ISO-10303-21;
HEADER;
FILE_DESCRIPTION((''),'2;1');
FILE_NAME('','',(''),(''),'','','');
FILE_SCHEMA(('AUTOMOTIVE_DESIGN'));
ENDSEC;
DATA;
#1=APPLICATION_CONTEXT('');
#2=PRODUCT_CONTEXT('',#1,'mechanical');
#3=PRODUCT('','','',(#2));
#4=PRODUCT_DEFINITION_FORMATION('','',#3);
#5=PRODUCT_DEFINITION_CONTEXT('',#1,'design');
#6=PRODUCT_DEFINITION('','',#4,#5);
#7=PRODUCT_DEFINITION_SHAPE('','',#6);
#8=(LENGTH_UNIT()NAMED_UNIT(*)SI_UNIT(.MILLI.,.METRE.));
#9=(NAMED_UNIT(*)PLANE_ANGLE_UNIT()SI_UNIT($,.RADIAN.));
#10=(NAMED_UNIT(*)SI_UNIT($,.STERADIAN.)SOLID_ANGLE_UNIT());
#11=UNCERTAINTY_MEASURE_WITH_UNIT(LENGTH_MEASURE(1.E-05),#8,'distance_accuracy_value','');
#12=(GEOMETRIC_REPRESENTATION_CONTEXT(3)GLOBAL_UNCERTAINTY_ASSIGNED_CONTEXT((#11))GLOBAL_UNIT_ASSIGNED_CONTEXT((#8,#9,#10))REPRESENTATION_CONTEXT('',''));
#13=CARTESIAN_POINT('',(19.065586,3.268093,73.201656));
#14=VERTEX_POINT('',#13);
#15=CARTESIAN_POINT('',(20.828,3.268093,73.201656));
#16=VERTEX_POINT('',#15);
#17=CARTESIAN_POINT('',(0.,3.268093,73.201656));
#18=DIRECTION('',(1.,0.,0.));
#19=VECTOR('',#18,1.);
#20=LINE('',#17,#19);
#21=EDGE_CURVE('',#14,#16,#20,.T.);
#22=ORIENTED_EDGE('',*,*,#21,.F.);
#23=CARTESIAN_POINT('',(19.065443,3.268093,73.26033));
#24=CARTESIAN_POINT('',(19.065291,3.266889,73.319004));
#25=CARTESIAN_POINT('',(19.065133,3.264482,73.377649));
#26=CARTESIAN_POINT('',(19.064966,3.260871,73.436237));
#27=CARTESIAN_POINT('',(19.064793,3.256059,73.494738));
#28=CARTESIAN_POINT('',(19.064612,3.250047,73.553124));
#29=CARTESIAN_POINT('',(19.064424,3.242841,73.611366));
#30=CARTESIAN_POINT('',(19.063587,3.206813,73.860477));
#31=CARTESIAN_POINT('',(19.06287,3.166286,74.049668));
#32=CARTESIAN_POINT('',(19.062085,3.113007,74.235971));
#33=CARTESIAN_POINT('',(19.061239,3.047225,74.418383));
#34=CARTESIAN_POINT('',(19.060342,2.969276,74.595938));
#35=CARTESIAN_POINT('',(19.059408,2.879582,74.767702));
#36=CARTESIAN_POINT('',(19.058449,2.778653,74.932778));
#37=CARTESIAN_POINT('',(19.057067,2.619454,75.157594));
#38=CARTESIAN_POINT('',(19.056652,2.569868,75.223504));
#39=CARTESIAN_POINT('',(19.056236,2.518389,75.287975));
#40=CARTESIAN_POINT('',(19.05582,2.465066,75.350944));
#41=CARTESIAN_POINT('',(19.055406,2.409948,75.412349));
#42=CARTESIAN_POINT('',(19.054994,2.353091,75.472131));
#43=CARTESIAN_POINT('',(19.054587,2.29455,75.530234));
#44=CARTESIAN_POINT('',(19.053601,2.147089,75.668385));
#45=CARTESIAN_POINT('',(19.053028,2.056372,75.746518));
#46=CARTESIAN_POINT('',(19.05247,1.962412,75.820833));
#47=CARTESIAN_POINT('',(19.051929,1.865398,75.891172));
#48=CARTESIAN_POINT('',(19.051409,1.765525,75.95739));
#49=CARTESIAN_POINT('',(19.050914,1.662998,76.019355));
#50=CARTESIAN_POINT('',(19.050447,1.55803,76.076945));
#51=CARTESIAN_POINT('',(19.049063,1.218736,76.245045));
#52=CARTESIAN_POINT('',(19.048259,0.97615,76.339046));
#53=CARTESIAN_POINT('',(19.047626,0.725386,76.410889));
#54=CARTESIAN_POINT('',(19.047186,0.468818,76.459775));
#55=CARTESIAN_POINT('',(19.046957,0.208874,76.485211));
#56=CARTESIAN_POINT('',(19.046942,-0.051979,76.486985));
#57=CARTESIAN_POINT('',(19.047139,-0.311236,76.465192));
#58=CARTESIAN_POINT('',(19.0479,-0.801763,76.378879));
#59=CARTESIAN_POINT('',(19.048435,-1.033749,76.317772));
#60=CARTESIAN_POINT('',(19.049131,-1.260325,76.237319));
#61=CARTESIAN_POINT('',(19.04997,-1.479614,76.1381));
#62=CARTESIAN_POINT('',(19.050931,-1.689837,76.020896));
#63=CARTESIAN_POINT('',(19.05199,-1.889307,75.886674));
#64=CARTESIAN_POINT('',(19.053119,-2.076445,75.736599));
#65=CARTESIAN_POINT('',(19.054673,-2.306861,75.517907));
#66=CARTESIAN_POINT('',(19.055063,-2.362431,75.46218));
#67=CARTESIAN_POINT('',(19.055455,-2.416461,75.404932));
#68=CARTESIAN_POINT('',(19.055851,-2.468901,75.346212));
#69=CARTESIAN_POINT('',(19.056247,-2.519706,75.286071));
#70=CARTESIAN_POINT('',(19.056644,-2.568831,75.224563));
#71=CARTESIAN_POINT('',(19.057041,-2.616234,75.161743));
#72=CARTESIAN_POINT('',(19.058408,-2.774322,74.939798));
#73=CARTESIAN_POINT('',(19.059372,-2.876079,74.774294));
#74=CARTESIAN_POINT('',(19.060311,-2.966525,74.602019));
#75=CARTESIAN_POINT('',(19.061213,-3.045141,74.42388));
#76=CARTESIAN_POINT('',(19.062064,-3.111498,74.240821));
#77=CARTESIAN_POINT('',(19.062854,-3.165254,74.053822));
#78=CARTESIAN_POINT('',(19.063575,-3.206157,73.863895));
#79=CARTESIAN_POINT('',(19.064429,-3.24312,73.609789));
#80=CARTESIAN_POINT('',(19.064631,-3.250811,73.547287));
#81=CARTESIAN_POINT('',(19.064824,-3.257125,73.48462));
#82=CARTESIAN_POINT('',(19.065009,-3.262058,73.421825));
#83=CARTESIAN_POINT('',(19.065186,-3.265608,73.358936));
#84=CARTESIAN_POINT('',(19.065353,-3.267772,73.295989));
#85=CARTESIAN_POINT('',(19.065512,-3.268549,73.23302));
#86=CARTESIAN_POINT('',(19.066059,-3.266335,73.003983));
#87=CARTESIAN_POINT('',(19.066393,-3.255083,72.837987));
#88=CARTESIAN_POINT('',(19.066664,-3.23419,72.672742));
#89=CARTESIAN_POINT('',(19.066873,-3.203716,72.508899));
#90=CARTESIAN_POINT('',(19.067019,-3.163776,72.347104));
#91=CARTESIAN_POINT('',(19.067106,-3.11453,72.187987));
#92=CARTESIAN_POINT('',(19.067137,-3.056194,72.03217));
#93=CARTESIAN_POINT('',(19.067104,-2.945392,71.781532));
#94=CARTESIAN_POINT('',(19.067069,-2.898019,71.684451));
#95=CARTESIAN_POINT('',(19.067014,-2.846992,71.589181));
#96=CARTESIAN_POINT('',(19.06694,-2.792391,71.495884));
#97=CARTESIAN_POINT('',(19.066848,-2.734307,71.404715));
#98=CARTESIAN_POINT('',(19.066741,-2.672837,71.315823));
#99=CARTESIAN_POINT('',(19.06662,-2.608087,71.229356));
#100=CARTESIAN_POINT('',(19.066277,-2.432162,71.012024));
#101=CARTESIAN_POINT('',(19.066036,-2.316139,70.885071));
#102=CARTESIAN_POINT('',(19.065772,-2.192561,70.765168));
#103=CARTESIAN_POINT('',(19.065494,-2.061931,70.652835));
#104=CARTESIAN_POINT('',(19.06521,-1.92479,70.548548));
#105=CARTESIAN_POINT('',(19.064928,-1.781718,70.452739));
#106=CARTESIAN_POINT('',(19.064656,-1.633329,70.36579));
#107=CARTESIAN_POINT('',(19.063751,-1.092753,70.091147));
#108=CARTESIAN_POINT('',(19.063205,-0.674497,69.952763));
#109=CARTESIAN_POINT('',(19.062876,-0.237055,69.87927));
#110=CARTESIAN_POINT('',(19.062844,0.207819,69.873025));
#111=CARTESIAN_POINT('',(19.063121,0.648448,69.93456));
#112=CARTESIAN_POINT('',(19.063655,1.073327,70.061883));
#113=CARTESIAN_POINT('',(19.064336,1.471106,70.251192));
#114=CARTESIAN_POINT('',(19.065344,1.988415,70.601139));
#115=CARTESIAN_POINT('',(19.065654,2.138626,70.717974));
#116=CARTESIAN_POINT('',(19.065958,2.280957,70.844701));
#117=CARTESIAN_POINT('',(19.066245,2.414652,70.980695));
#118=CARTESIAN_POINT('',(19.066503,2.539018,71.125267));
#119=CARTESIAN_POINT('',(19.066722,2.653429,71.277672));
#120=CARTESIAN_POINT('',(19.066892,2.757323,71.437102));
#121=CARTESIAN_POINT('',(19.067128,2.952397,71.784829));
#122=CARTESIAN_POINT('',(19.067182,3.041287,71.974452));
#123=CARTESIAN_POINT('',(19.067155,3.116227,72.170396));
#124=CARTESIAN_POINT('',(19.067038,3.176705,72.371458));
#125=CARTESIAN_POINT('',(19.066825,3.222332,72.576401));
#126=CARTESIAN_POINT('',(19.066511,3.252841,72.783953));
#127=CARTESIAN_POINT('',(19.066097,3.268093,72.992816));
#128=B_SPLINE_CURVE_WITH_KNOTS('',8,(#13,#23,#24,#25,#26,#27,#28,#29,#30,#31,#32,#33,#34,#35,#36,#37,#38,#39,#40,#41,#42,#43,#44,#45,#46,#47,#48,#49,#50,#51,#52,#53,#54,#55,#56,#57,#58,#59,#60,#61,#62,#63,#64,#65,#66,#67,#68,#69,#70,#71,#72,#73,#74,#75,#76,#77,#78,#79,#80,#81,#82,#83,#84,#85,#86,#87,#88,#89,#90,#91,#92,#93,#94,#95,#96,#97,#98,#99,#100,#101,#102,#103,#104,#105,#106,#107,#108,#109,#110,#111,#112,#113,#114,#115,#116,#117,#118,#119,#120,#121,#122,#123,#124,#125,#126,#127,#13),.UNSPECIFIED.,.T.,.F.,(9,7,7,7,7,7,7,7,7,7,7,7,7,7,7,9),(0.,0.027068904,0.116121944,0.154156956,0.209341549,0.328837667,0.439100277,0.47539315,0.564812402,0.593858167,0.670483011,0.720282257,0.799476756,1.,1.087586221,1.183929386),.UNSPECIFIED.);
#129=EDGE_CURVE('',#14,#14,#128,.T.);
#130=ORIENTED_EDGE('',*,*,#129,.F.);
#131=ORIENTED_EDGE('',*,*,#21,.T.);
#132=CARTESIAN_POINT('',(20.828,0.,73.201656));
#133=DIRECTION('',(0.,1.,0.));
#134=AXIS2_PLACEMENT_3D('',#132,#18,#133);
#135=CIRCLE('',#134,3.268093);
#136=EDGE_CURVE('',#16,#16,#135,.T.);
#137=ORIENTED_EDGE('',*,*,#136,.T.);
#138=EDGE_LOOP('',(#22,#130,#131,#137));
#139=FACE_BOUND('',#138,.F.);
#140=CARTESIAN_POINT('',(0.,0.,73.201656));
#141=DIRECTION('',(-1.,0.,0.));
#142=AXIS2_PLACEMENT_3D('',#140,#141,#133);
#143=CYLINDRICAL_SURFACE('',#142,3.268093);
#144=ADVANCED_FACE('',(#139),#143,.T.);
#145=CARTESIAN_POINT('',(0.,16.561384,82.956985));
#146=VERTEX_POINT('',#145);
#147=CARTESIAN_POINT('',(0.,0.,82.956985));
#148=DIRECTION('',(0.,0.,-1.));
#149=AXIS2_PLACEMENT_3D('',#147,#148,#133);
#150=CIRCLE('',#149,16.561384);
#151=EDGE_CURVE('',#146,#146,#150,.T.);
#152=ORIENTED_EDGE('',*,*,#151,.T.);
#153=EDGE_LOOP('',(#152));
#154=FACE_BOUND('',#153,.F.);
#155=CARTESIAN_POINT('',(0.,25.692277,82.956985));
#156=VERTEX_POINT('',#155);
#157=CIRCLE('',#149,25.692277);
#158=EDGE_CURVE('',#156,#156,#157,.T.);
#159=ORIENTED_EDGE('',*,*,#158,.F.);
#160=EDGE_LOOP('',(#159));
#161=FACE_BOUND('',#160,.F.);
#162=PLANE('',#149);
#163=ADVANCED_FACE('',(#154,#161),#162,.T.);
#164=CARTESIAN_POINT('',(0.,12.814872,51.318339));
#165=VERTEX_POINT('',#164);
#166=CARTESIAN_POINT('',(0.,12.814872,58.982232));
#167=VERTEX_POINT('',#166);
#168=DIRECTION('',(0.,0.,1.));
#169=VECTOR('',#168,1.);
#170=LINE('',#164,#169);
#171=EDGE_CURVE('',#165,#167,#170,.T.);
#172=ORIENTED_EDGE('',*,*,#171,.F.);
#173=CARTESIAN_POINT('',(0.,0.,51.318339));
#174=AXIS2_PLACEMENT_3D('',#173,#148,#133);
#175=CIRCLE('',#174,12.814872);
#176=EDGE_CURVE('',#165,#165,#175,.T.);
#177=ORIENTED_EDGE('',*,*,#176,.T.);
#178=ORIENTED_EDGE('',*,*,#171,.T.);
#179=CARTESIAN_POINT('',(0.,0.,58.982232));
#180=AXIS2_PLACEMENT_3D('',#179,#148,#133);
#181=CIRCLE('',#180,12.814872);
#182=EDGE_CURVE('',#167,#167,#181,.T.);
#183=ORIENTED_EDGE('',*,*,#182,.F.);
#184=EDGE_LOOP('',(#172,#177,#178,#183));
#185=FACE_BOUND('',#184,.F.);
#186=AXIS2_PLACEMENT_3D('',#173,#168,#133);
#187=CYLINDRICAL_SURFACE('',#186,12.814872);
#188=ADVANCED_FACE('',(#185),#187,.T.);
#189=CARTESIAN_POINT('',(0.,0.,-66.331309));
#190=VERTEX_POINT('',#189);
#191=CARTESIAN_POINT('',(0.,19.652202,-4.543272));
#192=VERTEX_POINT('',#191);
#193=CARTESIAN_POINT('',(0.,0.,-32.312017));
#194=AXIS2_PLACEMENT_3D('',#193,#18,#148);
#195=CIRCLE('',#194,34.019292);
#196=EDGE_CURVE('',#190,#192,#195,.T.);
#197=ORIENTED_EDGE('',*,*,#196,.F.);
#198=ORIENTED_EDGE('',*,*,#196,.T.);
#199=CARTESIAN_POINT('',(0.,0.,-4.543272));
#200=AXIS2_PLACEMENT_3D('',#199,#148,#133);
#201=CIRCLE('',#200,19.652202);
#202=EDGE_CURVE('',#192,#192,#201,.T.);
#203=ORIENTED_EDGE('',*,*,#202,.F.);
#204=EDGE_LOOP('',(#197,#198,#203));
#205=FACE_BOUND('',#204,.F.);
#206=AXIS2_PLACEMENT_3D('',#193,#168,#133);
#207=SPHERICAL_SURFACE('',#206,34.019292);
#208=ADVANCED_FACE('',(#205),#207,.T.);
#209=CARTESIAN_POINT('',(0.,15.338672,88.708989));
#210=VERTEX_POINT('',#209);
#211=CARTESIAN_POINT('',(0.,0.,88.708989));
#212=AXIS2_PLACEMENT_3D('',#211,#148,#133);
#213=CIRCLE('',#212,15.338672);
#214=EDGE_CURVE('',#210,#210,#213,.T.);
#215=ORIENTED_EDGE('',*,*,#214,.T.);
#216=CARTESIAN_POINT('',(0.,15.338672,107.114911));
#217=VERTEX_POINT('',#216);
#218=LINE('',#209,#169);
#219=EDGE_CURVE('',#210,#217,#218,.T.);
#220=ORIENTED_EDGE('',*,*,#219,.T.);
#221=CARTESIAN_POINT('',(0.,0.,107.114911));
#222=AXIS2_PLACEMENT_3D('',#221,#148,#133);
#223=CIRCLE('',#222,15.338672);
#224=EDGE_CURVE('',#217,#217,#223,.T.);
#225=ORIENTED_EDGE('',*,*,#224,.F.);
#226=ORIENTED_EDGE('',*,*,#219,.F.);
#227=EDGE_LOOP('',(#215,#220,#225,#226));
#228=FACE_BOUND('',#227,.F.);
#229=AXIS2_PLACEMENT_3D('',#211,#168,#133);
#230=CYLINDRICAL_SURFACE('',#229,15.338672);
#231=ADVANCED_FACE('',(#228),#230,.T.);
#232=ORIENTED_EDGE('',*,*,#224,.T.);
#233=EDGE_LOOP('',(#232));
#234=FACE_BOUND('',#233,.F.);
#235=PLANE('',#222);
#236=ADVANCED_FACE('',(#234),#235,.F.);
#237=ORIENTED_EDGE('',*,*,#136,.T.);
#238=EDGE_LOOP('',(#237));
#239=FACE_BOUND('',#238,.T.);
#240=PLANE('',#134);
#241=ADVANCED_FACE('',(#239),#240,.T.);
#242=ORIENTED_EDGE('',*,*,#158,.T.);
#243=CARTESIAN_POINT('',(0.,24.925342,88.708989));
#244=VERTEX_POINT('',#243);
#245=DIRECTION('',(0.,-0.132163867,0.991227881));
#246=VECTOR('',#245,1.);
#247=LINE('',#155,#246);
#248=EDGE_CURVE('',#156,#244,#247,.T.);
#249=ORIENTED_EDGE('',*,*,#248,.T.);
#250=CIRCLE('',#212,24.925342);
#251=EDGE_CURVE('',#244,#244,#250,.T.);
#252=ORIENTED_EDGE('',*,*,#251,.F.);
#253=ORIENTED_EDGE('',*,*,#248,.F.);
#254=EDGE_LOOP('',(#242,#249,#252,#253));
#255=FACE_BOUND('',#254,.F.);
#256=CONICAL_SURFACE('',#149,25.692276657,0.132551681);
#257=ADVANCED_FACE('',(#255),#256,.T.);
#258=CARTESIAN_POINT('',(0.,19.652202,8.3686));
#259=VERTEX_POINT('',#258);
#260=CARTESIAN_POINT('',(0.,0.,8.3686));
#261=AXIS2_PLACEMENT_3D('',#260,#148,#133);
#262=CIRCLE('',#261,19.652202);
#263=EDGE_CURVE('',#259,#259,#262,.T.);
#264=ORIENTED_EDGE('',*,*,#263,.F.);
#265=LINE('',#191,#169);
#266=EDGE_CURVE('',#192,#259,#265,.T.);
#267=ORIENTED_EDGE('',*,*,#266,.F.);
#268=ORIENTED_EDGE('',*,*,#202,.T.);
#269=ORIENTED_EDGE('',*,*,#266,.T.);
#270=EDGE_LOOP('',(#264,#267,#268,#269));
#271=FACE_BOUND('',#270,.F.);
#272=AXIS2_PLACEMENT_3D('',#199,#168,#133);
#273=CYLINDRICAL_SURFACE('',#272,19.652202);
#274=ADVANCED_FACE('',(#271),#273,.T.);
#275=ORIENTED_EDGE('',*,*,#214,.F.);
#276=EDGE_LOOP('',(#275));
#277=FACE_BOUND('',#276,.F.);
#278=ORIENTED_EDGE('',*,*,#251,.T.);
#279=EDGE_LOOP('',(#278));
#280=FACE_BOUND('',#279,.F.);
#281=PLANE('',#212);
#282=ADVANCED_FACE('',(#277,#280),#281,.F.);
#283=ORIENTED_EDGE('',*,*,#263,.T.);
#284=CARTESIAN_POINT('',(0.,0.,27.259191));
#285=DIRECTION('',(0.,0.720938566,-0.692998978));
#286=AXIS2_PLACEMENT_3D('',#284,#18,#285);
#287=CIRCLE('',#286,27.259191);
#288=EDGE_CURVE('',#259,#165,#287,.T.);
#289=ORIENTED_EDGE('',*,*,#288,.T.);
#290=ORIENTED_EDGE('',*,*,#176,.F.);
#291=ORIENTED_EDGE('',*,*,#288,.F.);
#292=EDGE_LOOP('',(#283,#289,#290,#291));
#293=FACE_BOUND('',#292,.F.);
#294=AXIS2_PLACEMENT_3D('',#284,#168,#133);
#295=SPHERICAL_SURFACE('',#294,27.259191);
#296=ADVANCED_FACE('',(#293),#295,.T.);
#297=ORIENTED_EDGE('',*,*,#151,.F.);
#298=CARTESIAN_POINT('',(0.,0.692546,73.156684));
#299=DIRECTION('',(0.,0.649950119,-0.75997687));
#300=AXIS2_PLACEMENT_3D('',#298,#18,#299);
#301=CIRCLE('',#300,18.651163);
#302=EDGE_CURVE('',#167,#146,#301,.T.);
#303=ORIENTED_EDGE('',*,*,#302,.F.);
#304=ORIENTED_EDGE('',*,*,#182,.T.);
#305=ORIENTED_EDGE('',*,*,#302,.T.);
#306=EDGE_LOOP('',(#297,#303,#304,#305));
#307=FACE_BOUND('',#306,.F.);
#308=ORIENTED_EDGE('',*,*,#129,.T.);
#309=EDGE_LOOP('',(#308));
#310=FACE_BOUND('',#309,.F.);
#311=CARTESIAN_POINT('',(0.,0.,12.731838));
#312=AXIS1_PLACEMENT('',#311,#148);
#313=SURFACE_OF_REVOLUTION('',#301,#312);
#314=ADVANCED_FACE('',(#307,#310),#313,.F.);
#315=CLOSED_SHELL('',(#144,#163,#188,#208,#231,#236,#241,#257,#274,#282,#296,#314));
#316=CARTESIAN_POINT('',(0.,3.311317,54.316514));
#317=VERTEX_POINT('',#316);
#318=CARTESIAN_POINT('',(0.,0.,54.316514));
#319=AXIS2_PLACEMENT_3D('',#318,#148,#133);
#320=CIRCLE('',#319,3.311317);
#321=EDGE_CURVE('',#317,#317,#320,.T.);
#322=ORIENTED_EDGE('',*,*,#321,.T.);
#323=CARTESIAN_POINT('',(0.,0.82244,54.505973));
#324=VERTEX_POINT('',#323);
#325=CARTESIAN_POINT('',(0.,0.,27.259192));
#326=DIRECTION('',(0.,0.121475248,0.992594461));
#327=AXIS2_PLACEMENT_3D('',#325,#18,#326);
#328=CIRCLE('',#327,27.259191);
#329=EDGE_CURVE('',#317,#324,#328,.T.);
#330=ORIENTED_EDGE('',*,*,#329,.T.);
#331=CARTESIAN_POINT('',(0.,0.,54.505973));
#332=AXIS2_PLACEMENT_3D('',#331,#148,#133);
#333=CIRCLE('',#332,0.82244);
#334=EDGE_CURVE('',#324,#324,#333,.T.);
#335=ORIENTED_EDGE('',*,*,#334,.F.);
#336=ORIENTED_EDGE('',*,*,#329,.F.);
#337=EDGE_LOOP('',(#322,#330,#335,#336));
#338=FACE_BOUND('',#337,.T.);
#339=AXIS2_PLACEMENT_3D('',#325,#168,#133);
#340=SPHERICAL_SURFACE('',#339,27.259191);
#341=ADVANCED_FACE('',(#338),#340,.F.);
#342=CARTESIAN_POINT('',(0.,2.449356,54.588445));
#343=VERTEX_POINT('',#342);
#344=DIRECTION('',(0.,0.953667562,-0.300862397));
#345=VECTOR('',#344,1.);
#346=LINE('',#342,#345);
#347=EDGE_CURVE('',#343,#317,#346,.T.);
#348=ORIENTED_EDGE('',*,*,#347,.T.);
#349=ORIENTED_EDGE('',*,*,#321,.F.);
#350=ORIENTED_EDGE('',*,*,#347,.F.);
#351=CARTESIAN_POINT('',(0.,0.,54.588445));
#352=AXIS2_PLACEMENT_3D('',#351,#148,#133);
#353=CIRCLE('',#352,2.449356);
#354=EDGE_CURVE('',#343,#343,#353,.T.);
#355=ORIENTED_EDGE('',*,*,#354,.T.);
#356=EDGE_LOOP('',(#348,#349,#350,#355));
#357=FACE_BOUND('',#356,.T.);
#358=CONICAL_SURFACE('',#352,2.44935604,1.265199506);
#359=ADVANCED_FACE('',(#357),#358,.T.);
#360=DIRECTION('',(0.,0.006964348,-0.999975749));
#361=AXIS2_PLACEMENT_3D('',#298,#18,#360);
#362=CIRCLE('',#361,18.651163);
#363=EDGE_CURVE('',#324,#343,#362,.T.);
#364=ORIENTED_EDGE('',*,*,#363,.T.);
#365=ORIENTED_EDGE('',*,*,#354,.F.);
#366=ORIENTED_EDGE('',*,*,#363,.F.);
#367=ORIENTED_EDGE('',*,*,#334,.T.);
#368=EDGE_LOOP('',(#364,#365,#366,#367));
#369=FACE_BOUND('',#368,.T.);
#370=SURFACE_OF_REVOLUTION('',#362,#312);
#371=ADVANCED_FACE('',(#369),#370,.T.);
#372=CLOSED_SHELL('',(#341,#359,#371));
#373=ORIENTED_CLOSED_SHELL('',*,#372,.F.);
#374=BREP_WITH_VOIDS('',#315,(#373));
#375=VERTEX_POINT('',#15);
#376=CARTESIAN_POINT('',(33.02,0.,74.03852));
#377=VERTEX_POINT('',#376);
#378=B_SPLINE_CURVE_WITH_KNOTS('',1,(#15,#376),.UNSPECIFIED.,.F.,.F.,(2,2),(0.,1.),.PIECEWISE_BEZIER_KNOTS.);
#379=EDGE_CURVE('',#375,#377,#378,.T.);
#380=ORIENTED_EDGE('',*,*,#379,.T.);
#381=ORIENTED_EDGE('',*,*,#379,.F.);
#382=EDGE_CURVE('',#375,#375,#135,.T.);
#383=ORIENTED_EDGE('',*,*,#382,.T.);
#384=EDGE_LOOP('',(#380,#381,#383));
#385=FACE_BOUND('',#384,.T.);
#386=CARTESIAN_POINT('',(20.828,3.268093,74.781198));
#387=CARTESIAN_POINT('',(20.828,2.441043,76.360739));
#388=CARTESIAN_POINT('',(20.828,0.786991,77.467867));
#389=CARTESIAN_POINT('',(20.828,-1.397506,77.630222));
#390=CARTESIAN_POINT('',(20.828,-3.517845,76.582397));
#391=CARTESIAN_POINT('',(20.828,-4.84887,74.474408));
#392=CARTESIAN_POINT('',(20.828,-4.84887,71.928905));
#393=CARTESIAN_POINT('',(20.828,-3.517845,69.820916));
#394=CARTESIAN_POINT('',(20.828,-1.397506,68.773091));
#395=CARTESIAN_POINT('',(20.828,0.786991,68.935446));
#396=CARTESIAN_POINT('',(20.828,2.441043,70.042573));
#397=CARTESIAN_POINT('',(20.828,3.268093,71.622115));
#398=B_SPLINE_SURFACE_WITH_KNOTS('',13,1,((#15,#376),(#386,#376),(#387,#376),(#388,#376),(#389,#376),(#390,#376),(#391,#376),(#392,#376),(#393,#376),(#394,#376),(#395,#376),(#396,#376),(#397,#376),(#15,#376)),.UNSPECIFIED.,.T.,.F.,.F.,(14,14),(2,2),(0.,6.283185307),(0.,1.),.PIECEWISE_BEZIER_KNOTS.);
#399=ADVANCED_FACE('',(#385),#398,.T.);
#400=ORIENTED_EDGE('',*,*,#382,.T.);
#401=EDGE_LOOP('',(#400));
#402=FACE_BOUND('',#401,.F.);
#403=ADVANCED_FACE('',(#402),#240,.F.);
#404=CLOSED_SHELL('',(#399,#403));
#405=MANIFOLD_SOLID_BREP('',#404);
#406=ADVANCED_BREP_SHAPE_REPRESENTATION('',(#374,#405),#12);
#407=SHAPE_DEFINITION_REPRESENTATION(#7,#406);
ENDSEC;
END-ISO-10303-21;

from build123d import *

# Parameters (mm, degrees)
F2_R      = 3.2680933579
F3_DEPTH  = 20.828
F3_FACE_R = 3.2680933579


with BuildPart() as f1:
    # F0 (on Right) → F1 (revolve)
    with BuildSketch(Plane.YZ):
        with BuildLine():
            Line((0, 0), (0, -66.3313093194))
            ThreePointArc((0, -66.3313093194), (32.4190168482, -42.6231565893), (19.6522024279, -4.5432720197))
            ThreePointArc((19.6522024279, -4.5432720197), (13.672669991, -1.1612488905), (7.135593305, 0.9505079637))
            ThreePointArc((7.135593305, 0.9505079637), (3.5993109481, 0.2386718541), (0, 0))
        make_face()
        with BuildLine():
            ThreePointArc((7.135593305, 0.9505079637), (13.672669991, -1.1612488905), (19.6522024279, -4.5432720197))
            Line((19.6522024279, -4.5432720197), (19.6522024279, 8.3685996369))
            ThreePointArc((19.6522024279, 8.3685996369), (13.8979682355, 3.8090315827), (7.135593305, 0.9505079637))
        make_face()
        with BuildLine():
            Line((0, 1.7072754511), (0, 0))
            ThreePointArc((0, 0), (3.5993109481, 0.2386718541), (7.135593305, 0.9505079637))
            ThreePointArc((7.135593305, 0.9505079637), (3.5878053474, 1.5175545556), (0, 1.7072754511))
        make_face()
        with BuildLine():
            ThreePointArc((0, 1.7072754511), (3.5878053474, 1.5175545556), (7.135593305, 0.9505079637))
            ThreePointArc((7.135593305, 0.9505079637), (13.8979682355, 3.8090315827), (19.6522024279, 8.3685996369))
            ThreePointArc((19.6522024279, 8.3685996369), (26.9202109719, 31.5447209124), (12.8148722591, 51.3183388254))
            Line((12.8148722591, 51.3183388254), (3.3113170436, 54.3165139926))
            ThreePointArc((3.3113170436, 54.3165139926), (2.0690479848, 54.4397463411), (0.8224395354, 54.5059732227))
            ThreePointArc((0.8224395354, 54.5059732227), (0.4111513491, 54.5076437675), (0, 54.5183829963))
            Line((0, 54.5183829963), (0, 1.7072754511))
        make_face()
        with BuildLine():
            Line((3.3113170436, 54.3165139926), (12.8148722591, 51.3183388254))
            ThreePointArc((12.8148722591, 51.3183388254), (8.2012656913, 53.2553981867), (3.3113170436, 54.3165139926))
        make_face()
        with BuildLine():
            ThreePointArc((3.3113170436, 54.3165139926), (8.2012656913, 53.2553981867), (12.8148722591, 51.3183388254))
            Line((12.8148722591, 51.3183388254), (12.8148722591, 58.9822315381))
            ThreePointArc((12.8148722591, 58.9822315381), (7.9715532582, 55.9845570424), (2.4493560396, 54.5884448668))
            Line((2.4493560396, 54.5884448668), (3.3113170436, 54.3165139926))
        make_face()
        with BuildLine():
            Line((0, 55.3611660524), (0, 54.5183829963))
            ThreePointArc((0, 54.5183829963), (0.4112665777, 54.5152803763), (0.8224395354, 54.5059732227))
            ThreePointArc((0.8224395354, 54.5059732227), (1.6367986085, 54.5294385669), (2.4493560396, 54.5884448668))
            Line((2.4493560396, 54.5884448668), (0, 55.3611660524))
        make_face()
        with BuildLine():
            ThreePointArc((0.8224395354, 54.5059732227), (0.4112665777, 54.5152803763), (0, 54.5183829963))
            ThreePointArc((0, 54.5183829963), (0.4111513491, 54.5076437675), (0.8224395354, 54.5059732227))
        make_face()
        with BuildLine():
            ThreePointArc((2.4493560396, 54.5884448668), (7.9715532582, 55.9845570424), (12.8148722591, 58.9822315381))
            ThreePointArc((12.8148722591, 58.9822315381), (19.1200667497, 70.2770332619), (16.5613841561, 82.9569846392))
            Line((16.5613841561, 82.9569846392), (25.6922766566, 82.9569846392))
            Line((25.6922766566, 82.9569846392), (24.9253418297, 88.7089893222))
            Line((24.9253418297, 88.7089893222), (15.338672325, 88.7089893222))
            Line((15.338672325, 88.7089893222), (15.338672325, 107.1149110794))
            Line((15.338672325, 107.1149110794), (0, 107.1149110794))
            Line((0, 107.1149110794), (0, 91.7949857506))
            Line((0, 91.7949857506), (0, 82.9569846392))
            Line((0, 82.9569846392), (0, 55.3611660524))
            Line((0, 55.3611660524), (2.4493560396, 54.5884448668))
        make_face()
    revolve(axis=Axis((0, 0, 12.7318382156), (0, 0, -1)))

    # F2 (on Right) → F3 (join)
    with BuildSketch(Plane.YZ):
        with Locations((0, 73.2016563416)):
            Circle(F2_R)
    extrude(amount=F3_DEPTH)


with BuildPart() as f6:
    # F3_face (on face) → F6 section 0
    with BuildSketch(Plane(origin=(20.828, 0, 73.2016563416), x_dir=(0, 1, 0), z_dir=(1, 0, 0)), mode=Mode.PRIVATE) as f6_s0:
        Circle(F3_FACE_R)
    loft([f6_s0.sketch, Vertex(33.02, 0, 74.0385204554)])


solid = Compound([f1.part, f6.part])
